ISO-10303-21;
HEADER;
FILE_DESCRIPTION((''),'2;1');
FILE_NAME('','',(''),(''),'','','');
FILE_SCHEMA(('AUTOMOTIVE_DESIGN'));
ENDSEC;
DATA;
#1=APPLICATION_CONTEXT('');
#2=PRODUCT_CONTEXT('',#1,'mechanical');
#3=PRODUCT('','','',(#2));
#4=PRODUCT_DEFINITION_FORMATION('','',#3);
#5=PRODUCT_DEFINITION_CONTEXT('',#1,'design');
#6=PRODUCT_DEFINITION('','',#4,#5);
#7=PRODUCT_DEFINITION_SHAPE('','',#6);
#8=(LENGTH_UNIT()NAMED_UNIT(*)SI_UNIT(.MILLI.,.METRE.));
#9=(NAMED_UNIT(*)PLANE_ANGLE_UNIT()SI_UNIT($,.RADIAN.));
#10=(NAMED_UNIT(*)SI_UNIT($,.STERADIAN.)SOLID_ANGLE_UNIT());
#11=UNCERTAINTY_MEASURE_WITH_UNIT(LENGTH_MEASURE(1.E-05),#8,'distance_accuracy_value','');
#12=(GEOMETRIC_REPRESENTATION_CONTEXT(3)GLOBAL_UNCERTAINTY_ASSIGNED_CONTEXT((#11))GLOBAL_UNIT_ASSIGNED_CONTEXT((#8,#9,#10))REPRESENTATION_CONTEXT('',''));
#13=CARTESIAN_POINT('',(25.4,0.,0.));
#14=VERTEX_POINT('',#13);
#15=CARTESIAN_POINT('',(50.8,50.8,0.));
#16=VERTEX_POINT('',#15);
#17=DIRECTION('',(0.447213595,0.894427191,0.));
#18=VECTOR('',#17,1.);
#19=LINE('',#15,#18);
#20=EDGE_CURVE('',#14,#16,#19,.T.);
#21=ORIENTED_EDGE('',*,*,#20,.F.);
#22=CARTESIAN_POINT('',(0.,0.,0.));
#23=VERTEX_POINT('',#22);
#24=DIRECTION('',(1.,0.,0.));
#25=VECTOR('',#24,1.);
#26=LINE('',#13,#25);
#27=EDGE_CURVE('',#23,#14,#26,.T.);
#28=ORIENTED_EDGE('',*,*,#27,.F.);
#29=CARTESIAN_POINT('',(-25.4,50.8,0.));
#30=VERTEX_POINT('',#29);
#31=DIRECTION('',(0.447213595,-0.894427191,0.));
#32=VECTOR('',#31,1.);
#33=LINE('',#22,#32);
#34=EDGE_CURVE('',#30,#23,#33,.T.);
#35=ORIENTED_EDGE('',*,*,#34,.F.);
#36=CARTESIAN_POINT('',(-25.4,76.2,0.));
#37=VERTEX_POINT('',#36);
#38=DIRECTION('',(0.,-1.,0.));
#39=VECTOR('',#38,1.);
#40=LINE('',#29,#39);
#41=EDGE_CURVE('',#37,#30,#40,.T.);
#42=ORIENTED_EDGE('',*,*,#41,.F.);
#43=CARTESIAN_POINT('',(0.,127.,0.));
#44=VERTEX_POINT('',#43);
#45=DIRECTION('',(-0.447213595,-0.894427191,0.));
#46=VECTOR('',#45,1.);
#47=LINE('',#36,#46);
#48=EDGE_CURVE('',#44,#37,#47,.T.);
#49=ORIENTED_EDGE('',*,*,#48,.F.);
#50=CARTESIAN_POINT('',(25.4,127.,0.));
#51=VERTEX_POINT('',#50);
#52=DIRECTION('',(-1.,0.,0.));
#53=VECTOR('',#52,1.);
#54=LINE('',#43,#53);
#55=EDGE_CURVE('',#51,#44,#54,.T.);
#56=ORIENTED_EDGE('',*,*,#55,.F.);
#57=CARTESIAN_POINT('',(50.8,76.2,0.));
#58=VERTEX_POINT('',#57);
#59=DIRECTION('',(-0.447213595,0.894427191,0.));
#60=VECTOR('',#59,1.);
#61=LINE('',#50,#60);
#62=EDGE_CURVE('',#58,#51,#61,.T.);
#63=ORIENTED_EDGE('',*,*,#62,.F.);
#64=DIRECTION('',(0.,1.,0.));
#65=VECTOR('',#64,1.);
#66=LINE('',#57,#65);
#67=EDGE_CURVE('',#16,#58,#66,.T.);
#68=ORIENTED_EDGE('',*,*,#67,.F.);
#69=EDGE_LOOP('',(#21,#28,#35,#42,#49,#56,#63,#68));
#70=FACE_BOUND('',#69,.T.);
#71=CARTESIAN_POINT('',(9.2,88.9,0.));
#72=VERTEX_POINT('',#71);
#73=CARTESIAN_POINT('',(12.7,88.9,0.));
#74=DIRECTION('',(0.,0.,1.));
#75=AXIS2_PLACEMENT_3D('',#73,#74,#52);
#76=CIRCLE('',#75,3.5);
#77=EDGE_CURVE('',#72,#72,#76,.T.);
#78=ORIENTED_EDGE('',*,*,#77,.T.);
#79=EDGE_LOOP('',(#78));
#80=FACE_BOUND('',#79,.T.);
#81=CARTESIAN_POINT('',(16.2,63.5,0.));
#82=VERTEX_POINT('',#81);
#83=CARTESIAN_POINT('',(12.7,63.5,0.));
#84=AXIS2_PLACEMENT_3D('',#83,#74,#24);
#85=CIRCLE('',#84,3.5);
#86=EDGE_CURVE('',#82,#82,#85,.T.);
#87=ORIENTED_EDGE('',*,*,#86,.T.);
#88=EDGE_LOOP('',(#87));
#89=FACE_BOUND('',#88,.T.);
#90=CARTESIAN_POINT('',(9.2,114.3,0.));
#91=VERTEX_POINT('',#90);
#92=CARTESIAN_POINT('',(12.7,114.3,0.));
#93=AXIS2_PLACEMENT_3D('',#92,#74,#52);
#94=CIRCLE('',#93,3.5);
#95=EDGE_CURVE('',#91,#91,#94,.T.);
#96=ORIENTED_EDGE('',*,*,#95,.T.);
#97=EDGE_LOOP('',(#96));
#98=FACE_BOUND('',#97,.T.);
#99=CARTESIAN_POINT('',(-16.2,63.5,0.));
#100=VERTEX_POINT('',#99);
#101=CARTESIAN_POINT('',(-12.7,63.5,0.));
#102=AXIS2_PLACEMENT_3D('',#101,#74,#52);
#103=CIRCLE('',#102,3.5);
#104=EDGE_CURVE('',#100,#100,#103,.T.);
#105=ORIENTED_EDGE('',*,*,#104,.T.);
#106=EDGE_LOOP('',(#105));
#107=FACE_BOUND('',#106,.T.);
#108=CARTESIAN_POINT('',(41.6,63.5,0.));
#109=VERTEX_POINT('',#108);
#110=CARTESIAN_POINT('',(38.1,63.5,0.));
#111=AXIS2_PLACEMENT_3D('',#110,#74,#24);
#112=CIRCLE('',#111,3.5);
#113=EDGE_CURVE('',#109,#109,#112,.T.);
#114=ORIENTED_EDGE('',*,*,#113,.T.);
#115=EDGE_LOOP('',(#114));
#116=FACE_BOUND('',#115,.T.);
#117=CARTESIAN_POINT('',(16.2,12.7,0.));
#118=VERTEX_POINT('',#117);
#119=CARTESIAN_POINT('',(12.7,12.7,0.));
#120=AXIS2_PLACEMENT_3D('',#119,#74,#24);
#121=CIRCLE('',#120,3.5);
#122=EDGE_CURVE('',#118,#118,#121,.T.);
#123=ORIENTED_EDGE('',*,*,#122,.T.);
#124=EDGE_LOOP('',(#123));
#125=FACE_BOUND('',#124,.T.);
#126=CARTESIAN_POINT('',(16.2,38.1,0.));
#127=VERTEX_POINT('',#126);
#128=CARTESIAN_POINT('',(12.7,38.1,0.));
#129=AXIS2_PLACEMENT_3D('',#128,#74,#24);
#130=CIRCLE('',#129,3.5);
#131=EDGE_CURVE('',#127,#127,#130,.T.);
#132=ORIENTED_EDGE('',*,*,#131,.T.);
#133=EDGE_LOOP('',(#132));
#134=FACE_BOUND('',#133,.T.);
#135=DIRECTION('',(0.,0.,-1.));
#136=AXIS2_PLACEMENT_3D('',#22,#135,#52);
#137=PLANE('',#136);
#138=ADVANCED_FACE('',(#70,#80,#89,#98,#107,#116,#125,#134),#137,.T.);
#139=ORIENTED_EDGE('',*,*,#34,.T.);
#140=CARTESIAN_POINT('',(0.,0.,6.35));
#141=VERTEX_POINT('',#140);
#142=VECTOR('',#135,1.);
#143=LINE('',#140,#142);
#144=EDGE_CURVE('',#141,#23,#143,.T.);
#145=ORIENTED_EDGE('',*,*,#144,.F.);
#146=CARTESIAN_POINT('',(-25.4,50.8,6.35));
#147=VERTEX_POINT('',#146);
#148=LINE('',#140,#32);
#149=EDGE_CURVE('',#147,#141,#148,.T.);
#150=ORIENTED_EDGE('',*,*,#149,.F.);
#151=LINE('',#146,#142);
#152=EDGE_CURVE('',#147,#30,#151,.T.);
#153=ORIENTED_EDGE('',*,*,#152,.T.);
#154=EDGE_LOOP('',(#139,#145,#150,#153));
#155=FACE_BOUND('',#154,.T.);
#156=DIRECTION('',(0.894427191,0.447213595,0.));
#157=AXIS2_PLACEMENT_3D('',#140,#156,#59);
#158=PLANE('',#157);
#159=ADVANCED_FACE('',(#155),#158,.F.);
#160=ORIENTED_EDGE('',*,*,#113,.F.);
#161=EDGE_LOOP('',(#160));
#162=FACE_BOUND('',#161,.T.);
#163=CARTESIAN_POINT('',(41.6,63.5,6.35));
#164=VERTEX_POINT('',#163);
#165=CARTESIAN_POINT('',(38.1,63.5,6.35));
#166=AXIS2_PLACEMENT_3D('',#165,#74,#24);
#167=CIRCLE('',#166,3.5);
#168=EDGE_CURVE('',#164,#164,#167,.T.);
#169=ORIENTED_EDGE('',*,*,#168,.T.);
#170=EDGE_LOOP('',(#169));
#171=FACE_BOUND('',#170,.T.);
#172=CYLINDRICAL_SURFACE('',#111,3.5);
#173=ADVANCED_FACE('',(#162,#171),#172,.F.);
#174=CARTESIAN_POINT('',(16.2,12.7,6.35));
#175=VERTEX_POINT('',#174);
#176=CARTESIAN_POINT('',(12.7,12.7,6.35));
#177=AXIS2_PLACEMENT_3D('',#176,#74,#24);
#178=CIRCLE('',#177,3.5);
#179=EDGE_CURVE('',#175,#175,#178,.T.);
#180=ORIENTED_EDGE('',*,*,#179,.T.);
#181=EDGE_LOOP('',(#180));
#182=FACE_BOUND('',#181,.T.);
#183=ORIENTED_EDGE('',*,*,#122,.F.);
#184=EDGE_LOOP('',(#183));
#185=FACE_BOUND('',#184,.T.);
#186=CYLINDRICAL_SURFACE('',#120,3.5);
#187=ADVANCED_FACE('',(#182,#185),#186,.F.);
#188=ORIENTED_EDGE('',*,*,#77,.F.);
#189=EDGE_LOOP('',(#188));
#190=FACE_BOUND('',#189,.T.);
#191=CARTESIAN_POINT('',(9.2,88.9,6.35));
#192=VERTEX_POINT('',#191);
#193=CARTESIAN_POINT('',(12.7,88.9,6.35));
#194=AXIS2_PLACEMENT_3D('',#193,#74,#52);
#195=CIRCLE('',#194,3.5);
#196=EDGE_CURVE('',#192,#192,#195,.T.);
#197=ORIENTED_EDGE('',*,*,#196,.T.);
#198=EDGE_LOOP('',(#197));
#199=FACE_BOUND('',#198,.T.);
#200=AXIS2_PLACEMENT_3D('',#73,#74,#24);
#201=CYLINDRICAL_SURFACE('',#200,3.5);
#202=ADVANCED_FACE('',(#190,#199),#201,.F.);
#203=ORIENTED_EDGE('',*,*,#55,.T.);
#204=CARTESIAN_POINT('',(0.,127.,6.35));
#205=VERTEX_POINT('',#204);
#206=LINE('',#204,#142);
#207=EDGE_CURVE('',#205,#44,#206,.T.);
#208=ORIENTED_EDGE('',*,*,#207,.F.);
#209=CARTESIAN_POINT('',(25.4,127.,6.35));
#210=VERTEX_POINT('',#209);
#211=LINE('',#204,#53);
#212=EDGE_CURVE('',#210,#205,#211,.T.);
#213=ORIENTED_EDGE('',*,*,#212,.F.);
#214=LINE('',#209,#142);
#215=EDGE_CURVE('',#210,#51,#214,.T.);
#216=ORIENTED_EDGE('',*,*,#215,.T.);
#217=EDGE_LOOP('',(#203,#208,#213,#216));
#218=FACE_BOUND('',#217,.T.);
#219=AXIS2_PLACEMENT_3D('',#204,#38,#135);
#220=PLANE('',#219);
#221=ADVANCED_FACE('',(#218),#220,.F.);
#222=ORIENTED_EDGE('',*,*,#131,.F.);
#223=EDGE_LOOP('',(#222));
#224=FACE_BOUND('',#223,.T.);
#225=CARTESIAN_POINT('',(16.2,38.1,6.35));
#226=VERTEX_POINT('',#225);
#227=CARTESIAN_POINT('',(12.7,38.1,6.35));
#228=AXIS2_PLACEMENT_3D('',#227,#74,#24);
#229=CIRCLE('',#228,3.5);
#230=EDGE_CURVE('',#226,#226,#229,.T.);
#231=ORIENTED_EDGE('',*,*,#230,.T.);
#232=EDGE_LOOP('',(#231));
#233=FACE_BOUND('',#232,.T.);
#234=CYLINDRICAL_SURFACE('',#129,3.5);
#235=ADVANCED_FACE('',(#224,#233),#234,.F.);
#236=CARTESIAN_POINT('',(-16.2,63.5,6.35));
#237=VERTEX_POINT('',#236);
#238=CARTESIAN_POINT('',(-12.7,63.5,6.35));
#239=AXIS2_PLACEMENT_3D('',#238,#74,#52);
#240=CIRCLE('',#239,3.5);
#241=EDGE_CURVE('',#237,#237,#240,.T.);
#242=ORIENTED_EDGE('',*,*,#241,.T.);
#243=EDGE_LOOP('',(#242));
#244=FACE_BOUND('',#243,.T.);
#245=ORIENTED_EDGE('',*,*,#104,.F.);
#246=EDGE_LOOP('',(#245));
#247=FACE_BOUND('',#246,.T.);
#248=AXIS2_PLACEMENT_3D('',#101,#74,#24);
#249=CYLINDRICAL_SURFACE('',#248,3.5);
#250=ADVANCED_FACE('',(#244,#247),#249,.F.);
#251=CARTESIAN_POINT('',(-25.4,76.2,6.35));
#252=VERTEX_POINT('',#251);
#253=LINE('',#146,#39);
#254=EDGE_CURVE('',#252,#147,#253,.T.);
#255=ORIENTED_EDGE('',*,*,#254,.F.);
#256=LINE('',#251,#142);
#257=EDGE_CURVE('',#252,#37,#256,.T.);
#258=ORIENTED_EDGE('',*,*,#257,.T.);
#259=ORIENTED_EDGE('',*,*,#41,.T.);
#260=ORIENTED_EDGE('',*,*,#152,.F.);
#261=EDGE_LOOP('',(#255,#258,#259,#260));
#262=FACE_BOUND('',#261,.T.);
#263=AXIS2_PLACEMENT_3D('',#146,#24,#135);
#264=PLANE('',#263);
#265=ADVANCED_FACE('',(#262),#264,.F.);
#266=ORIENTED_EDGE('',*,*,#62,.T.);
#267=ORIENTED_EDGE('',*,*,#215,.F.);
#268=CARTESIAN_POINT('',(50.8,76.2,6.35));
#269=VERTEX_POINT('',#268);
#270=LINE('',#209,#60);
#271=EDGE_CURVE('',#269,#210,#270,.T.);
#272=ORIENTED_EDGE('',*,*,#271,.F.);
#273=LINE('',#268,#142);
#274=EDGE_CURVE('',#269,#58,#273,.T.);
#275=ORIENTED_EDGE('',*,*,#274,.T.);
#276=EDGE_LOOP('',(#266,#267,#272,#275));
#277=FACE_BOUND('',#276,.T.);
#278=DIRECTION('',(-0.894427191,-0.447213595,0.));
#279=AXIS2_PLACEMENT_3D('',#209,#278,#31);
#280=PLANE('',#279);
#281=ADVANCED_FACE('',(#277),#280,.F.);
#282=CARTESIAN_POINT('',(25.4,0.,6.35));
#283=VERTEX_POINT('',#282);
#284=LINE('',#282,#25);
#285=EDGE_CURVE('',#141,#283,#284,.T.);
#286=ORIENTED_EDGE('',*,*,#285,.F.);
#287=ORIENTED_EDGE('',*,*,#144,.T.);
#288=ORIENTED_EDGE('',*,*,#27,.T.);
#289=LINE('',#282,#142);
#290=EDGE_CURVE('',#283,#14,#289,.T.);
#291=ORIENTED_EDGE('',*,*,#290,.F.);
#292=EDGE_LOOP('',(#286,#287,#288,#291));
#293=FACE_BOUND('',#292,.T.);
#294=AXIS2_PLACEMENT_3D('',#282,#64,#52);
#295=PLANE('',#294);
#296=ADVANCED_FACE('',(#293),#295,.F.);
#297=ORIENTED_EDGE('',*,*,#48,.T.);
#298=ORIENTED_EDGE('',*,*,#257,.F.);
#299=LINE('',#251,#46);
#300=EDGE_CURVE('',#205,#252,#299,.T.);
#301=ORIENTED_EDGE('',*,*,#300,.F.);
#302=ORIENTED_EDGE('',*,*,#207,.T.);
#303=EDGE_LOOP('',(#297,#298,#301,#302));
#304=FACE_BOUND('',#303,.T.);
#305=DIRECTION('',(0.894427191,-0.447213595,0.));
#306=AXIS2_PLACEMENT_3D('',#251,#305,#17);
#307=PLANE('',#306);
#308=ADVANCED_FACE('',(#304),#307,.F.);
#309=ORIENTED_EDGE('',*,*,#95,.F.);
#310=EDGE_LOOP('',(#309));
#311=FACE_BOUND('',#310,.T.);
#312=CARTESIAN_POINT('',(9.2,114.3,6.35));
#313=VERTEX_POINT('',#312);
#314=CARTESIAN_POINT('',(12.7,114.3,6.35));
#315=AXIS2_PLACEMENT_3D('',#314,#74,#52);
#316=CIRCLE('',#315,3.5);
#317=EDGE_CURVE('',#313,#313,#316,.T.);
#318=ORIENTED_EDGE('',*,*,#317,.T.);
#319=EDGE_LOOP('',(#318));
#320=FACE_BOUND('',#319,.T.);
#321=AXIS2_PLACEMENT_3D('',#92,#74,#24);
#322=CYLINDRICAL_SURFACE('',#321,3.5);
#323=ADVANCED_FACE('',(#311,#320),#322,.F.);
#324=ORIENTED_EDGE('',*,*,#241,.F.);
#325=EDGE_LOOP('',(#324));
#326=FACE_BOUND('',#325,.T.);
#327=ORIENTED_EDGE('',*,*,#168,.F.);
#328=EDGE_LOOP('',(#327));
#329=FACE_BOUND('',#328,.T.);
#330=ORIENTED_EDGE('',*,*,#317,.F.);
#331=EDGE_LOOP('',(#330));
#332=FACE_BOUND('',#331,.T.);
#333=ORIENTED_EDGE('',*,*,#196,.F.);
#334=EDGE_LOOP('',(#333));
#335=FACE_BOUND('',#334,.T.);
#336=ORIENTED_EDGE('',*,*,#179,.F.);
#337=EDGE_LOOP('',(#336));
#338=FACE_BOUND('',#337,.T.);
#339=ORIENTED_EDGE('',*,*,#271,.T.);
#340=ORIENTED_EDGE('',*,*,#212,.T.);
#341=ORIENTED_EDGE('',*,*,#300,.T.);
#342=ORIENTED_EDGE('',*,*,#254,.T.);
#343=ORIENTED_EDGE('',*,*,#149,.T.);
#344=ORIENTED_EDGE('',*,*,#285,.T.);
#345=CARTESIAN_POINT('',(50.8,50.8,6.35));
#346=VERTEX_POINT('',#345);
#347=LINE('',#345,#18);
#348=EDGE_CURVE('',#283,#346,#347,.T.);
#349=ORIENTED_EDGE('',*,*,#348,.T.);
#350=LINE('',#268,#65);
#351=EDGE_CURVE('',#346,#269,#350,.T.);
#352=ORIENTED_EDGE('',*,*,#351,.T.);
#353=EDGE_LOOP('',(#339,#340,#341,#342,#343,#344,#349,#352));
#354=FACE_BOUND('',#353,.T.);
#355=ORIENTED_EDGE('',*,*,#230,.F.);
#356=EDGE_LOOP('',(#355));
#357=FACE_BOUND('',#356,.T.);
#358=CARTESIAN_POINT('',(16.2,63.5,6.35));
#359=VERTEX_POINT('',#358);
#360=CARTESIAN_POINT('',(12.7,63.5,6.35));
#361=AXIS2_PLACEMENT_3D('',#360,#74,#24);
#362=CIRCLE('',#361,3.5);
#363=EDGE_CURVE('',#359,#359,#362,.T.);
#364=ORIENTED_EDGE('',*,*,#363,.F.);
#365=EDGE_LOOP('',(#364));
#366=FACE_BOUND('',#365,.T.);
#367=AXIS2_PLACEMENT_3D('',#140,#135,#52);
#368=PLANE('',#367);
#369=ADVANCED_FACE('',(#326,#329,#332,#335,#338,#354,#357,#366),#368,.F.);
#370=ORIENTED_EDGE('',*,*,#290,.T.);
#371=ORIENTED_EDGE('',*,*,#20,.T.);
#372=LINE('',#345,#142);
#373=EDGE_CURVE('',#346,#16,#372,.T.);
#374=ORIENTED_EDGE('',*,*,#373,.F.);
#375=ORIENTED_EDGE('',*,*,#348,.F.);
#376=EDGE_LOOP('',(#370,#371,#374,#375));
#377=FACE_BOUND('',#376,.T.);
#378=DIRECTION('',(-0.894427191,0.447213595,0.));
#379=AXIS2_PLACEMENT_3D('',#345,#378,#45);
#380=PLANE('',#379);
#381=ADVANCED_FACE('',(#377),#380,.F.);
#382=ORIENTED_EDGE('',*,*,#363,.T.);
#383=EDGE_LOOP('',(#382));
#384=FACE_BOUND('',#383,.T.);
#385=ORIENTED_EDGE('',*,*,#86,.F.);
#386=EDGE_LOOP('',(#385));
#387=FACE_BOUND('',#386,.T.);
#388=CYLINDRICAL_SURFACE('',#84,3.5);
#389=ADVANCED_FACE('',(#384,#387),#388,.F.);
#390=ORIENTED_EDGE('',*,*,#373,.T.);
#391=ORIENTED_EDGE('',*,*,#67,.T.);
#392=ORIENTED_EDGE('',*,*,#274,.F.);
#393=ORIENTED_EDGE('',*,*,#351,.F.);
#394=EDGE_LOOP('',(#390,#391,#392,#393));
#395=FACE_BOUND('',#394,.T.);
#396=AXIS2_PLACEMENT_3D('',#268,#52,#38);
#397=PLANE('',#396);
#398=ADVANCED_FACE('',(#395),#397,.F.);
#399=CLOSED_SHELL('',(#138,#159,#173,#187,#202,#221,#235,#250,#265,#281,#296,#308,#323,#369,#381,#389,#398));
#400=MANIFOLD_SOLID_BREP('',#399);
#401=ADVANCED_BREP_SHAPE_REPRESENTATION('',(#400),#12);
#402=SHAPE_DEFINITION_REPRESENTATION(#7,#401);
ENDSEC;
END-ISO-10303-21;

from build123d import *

# Parameters (mm, degrees)
BOSS_EXTRUDE1_DEPTH = 6.35
SKETCH2_R           = 3.5
CUT_EXTRUDE1_DEPTH  = 7.35


with BuildPart() as part:
    # Sketch1 → Boss-Extrude1 (new body)
    with BuildSketch(Plane.XY):
        Polygon((-25.4, 50.8), (-25.4, 76.2), (0, 127), (25.4, 127), (50.8, 76.2), (50.8, 50.8), (25.4, 0), (0, 0), align=None)
    extrude(amount=BOSS_EXTRUDE1_DEPTH)

    # Sketch2 → Cut-Extrude1 (cut, through all)
    with BuildSketch(Plane.XY.offset(6.35)):
        with Locations((12.7, 63.5)):
            Circle(SKETCH2_R)
        with Locations((38.1, 63.5)):
            Circle(SKETCH2_R)
        with Locations((-12.7, 63.5)):
            Circle(SKETCH2_R)
        with Locations((12.7, 38.1)):
            Circle(SKETCH2_R)
        with Locations((12.7, 12.7)):
            Circle(SKETCH2_R)
        with Locations((12.7, 114.3)):
            Circle(SKETCH2_R)
        with Locations((12.7, 88.9)):
            Circle(SKETCH2_R)
    extrude(amount=-CUT_EXTRUDE1_DEPTH, mode=Mode.SUBTRACT)


solid = part.part
